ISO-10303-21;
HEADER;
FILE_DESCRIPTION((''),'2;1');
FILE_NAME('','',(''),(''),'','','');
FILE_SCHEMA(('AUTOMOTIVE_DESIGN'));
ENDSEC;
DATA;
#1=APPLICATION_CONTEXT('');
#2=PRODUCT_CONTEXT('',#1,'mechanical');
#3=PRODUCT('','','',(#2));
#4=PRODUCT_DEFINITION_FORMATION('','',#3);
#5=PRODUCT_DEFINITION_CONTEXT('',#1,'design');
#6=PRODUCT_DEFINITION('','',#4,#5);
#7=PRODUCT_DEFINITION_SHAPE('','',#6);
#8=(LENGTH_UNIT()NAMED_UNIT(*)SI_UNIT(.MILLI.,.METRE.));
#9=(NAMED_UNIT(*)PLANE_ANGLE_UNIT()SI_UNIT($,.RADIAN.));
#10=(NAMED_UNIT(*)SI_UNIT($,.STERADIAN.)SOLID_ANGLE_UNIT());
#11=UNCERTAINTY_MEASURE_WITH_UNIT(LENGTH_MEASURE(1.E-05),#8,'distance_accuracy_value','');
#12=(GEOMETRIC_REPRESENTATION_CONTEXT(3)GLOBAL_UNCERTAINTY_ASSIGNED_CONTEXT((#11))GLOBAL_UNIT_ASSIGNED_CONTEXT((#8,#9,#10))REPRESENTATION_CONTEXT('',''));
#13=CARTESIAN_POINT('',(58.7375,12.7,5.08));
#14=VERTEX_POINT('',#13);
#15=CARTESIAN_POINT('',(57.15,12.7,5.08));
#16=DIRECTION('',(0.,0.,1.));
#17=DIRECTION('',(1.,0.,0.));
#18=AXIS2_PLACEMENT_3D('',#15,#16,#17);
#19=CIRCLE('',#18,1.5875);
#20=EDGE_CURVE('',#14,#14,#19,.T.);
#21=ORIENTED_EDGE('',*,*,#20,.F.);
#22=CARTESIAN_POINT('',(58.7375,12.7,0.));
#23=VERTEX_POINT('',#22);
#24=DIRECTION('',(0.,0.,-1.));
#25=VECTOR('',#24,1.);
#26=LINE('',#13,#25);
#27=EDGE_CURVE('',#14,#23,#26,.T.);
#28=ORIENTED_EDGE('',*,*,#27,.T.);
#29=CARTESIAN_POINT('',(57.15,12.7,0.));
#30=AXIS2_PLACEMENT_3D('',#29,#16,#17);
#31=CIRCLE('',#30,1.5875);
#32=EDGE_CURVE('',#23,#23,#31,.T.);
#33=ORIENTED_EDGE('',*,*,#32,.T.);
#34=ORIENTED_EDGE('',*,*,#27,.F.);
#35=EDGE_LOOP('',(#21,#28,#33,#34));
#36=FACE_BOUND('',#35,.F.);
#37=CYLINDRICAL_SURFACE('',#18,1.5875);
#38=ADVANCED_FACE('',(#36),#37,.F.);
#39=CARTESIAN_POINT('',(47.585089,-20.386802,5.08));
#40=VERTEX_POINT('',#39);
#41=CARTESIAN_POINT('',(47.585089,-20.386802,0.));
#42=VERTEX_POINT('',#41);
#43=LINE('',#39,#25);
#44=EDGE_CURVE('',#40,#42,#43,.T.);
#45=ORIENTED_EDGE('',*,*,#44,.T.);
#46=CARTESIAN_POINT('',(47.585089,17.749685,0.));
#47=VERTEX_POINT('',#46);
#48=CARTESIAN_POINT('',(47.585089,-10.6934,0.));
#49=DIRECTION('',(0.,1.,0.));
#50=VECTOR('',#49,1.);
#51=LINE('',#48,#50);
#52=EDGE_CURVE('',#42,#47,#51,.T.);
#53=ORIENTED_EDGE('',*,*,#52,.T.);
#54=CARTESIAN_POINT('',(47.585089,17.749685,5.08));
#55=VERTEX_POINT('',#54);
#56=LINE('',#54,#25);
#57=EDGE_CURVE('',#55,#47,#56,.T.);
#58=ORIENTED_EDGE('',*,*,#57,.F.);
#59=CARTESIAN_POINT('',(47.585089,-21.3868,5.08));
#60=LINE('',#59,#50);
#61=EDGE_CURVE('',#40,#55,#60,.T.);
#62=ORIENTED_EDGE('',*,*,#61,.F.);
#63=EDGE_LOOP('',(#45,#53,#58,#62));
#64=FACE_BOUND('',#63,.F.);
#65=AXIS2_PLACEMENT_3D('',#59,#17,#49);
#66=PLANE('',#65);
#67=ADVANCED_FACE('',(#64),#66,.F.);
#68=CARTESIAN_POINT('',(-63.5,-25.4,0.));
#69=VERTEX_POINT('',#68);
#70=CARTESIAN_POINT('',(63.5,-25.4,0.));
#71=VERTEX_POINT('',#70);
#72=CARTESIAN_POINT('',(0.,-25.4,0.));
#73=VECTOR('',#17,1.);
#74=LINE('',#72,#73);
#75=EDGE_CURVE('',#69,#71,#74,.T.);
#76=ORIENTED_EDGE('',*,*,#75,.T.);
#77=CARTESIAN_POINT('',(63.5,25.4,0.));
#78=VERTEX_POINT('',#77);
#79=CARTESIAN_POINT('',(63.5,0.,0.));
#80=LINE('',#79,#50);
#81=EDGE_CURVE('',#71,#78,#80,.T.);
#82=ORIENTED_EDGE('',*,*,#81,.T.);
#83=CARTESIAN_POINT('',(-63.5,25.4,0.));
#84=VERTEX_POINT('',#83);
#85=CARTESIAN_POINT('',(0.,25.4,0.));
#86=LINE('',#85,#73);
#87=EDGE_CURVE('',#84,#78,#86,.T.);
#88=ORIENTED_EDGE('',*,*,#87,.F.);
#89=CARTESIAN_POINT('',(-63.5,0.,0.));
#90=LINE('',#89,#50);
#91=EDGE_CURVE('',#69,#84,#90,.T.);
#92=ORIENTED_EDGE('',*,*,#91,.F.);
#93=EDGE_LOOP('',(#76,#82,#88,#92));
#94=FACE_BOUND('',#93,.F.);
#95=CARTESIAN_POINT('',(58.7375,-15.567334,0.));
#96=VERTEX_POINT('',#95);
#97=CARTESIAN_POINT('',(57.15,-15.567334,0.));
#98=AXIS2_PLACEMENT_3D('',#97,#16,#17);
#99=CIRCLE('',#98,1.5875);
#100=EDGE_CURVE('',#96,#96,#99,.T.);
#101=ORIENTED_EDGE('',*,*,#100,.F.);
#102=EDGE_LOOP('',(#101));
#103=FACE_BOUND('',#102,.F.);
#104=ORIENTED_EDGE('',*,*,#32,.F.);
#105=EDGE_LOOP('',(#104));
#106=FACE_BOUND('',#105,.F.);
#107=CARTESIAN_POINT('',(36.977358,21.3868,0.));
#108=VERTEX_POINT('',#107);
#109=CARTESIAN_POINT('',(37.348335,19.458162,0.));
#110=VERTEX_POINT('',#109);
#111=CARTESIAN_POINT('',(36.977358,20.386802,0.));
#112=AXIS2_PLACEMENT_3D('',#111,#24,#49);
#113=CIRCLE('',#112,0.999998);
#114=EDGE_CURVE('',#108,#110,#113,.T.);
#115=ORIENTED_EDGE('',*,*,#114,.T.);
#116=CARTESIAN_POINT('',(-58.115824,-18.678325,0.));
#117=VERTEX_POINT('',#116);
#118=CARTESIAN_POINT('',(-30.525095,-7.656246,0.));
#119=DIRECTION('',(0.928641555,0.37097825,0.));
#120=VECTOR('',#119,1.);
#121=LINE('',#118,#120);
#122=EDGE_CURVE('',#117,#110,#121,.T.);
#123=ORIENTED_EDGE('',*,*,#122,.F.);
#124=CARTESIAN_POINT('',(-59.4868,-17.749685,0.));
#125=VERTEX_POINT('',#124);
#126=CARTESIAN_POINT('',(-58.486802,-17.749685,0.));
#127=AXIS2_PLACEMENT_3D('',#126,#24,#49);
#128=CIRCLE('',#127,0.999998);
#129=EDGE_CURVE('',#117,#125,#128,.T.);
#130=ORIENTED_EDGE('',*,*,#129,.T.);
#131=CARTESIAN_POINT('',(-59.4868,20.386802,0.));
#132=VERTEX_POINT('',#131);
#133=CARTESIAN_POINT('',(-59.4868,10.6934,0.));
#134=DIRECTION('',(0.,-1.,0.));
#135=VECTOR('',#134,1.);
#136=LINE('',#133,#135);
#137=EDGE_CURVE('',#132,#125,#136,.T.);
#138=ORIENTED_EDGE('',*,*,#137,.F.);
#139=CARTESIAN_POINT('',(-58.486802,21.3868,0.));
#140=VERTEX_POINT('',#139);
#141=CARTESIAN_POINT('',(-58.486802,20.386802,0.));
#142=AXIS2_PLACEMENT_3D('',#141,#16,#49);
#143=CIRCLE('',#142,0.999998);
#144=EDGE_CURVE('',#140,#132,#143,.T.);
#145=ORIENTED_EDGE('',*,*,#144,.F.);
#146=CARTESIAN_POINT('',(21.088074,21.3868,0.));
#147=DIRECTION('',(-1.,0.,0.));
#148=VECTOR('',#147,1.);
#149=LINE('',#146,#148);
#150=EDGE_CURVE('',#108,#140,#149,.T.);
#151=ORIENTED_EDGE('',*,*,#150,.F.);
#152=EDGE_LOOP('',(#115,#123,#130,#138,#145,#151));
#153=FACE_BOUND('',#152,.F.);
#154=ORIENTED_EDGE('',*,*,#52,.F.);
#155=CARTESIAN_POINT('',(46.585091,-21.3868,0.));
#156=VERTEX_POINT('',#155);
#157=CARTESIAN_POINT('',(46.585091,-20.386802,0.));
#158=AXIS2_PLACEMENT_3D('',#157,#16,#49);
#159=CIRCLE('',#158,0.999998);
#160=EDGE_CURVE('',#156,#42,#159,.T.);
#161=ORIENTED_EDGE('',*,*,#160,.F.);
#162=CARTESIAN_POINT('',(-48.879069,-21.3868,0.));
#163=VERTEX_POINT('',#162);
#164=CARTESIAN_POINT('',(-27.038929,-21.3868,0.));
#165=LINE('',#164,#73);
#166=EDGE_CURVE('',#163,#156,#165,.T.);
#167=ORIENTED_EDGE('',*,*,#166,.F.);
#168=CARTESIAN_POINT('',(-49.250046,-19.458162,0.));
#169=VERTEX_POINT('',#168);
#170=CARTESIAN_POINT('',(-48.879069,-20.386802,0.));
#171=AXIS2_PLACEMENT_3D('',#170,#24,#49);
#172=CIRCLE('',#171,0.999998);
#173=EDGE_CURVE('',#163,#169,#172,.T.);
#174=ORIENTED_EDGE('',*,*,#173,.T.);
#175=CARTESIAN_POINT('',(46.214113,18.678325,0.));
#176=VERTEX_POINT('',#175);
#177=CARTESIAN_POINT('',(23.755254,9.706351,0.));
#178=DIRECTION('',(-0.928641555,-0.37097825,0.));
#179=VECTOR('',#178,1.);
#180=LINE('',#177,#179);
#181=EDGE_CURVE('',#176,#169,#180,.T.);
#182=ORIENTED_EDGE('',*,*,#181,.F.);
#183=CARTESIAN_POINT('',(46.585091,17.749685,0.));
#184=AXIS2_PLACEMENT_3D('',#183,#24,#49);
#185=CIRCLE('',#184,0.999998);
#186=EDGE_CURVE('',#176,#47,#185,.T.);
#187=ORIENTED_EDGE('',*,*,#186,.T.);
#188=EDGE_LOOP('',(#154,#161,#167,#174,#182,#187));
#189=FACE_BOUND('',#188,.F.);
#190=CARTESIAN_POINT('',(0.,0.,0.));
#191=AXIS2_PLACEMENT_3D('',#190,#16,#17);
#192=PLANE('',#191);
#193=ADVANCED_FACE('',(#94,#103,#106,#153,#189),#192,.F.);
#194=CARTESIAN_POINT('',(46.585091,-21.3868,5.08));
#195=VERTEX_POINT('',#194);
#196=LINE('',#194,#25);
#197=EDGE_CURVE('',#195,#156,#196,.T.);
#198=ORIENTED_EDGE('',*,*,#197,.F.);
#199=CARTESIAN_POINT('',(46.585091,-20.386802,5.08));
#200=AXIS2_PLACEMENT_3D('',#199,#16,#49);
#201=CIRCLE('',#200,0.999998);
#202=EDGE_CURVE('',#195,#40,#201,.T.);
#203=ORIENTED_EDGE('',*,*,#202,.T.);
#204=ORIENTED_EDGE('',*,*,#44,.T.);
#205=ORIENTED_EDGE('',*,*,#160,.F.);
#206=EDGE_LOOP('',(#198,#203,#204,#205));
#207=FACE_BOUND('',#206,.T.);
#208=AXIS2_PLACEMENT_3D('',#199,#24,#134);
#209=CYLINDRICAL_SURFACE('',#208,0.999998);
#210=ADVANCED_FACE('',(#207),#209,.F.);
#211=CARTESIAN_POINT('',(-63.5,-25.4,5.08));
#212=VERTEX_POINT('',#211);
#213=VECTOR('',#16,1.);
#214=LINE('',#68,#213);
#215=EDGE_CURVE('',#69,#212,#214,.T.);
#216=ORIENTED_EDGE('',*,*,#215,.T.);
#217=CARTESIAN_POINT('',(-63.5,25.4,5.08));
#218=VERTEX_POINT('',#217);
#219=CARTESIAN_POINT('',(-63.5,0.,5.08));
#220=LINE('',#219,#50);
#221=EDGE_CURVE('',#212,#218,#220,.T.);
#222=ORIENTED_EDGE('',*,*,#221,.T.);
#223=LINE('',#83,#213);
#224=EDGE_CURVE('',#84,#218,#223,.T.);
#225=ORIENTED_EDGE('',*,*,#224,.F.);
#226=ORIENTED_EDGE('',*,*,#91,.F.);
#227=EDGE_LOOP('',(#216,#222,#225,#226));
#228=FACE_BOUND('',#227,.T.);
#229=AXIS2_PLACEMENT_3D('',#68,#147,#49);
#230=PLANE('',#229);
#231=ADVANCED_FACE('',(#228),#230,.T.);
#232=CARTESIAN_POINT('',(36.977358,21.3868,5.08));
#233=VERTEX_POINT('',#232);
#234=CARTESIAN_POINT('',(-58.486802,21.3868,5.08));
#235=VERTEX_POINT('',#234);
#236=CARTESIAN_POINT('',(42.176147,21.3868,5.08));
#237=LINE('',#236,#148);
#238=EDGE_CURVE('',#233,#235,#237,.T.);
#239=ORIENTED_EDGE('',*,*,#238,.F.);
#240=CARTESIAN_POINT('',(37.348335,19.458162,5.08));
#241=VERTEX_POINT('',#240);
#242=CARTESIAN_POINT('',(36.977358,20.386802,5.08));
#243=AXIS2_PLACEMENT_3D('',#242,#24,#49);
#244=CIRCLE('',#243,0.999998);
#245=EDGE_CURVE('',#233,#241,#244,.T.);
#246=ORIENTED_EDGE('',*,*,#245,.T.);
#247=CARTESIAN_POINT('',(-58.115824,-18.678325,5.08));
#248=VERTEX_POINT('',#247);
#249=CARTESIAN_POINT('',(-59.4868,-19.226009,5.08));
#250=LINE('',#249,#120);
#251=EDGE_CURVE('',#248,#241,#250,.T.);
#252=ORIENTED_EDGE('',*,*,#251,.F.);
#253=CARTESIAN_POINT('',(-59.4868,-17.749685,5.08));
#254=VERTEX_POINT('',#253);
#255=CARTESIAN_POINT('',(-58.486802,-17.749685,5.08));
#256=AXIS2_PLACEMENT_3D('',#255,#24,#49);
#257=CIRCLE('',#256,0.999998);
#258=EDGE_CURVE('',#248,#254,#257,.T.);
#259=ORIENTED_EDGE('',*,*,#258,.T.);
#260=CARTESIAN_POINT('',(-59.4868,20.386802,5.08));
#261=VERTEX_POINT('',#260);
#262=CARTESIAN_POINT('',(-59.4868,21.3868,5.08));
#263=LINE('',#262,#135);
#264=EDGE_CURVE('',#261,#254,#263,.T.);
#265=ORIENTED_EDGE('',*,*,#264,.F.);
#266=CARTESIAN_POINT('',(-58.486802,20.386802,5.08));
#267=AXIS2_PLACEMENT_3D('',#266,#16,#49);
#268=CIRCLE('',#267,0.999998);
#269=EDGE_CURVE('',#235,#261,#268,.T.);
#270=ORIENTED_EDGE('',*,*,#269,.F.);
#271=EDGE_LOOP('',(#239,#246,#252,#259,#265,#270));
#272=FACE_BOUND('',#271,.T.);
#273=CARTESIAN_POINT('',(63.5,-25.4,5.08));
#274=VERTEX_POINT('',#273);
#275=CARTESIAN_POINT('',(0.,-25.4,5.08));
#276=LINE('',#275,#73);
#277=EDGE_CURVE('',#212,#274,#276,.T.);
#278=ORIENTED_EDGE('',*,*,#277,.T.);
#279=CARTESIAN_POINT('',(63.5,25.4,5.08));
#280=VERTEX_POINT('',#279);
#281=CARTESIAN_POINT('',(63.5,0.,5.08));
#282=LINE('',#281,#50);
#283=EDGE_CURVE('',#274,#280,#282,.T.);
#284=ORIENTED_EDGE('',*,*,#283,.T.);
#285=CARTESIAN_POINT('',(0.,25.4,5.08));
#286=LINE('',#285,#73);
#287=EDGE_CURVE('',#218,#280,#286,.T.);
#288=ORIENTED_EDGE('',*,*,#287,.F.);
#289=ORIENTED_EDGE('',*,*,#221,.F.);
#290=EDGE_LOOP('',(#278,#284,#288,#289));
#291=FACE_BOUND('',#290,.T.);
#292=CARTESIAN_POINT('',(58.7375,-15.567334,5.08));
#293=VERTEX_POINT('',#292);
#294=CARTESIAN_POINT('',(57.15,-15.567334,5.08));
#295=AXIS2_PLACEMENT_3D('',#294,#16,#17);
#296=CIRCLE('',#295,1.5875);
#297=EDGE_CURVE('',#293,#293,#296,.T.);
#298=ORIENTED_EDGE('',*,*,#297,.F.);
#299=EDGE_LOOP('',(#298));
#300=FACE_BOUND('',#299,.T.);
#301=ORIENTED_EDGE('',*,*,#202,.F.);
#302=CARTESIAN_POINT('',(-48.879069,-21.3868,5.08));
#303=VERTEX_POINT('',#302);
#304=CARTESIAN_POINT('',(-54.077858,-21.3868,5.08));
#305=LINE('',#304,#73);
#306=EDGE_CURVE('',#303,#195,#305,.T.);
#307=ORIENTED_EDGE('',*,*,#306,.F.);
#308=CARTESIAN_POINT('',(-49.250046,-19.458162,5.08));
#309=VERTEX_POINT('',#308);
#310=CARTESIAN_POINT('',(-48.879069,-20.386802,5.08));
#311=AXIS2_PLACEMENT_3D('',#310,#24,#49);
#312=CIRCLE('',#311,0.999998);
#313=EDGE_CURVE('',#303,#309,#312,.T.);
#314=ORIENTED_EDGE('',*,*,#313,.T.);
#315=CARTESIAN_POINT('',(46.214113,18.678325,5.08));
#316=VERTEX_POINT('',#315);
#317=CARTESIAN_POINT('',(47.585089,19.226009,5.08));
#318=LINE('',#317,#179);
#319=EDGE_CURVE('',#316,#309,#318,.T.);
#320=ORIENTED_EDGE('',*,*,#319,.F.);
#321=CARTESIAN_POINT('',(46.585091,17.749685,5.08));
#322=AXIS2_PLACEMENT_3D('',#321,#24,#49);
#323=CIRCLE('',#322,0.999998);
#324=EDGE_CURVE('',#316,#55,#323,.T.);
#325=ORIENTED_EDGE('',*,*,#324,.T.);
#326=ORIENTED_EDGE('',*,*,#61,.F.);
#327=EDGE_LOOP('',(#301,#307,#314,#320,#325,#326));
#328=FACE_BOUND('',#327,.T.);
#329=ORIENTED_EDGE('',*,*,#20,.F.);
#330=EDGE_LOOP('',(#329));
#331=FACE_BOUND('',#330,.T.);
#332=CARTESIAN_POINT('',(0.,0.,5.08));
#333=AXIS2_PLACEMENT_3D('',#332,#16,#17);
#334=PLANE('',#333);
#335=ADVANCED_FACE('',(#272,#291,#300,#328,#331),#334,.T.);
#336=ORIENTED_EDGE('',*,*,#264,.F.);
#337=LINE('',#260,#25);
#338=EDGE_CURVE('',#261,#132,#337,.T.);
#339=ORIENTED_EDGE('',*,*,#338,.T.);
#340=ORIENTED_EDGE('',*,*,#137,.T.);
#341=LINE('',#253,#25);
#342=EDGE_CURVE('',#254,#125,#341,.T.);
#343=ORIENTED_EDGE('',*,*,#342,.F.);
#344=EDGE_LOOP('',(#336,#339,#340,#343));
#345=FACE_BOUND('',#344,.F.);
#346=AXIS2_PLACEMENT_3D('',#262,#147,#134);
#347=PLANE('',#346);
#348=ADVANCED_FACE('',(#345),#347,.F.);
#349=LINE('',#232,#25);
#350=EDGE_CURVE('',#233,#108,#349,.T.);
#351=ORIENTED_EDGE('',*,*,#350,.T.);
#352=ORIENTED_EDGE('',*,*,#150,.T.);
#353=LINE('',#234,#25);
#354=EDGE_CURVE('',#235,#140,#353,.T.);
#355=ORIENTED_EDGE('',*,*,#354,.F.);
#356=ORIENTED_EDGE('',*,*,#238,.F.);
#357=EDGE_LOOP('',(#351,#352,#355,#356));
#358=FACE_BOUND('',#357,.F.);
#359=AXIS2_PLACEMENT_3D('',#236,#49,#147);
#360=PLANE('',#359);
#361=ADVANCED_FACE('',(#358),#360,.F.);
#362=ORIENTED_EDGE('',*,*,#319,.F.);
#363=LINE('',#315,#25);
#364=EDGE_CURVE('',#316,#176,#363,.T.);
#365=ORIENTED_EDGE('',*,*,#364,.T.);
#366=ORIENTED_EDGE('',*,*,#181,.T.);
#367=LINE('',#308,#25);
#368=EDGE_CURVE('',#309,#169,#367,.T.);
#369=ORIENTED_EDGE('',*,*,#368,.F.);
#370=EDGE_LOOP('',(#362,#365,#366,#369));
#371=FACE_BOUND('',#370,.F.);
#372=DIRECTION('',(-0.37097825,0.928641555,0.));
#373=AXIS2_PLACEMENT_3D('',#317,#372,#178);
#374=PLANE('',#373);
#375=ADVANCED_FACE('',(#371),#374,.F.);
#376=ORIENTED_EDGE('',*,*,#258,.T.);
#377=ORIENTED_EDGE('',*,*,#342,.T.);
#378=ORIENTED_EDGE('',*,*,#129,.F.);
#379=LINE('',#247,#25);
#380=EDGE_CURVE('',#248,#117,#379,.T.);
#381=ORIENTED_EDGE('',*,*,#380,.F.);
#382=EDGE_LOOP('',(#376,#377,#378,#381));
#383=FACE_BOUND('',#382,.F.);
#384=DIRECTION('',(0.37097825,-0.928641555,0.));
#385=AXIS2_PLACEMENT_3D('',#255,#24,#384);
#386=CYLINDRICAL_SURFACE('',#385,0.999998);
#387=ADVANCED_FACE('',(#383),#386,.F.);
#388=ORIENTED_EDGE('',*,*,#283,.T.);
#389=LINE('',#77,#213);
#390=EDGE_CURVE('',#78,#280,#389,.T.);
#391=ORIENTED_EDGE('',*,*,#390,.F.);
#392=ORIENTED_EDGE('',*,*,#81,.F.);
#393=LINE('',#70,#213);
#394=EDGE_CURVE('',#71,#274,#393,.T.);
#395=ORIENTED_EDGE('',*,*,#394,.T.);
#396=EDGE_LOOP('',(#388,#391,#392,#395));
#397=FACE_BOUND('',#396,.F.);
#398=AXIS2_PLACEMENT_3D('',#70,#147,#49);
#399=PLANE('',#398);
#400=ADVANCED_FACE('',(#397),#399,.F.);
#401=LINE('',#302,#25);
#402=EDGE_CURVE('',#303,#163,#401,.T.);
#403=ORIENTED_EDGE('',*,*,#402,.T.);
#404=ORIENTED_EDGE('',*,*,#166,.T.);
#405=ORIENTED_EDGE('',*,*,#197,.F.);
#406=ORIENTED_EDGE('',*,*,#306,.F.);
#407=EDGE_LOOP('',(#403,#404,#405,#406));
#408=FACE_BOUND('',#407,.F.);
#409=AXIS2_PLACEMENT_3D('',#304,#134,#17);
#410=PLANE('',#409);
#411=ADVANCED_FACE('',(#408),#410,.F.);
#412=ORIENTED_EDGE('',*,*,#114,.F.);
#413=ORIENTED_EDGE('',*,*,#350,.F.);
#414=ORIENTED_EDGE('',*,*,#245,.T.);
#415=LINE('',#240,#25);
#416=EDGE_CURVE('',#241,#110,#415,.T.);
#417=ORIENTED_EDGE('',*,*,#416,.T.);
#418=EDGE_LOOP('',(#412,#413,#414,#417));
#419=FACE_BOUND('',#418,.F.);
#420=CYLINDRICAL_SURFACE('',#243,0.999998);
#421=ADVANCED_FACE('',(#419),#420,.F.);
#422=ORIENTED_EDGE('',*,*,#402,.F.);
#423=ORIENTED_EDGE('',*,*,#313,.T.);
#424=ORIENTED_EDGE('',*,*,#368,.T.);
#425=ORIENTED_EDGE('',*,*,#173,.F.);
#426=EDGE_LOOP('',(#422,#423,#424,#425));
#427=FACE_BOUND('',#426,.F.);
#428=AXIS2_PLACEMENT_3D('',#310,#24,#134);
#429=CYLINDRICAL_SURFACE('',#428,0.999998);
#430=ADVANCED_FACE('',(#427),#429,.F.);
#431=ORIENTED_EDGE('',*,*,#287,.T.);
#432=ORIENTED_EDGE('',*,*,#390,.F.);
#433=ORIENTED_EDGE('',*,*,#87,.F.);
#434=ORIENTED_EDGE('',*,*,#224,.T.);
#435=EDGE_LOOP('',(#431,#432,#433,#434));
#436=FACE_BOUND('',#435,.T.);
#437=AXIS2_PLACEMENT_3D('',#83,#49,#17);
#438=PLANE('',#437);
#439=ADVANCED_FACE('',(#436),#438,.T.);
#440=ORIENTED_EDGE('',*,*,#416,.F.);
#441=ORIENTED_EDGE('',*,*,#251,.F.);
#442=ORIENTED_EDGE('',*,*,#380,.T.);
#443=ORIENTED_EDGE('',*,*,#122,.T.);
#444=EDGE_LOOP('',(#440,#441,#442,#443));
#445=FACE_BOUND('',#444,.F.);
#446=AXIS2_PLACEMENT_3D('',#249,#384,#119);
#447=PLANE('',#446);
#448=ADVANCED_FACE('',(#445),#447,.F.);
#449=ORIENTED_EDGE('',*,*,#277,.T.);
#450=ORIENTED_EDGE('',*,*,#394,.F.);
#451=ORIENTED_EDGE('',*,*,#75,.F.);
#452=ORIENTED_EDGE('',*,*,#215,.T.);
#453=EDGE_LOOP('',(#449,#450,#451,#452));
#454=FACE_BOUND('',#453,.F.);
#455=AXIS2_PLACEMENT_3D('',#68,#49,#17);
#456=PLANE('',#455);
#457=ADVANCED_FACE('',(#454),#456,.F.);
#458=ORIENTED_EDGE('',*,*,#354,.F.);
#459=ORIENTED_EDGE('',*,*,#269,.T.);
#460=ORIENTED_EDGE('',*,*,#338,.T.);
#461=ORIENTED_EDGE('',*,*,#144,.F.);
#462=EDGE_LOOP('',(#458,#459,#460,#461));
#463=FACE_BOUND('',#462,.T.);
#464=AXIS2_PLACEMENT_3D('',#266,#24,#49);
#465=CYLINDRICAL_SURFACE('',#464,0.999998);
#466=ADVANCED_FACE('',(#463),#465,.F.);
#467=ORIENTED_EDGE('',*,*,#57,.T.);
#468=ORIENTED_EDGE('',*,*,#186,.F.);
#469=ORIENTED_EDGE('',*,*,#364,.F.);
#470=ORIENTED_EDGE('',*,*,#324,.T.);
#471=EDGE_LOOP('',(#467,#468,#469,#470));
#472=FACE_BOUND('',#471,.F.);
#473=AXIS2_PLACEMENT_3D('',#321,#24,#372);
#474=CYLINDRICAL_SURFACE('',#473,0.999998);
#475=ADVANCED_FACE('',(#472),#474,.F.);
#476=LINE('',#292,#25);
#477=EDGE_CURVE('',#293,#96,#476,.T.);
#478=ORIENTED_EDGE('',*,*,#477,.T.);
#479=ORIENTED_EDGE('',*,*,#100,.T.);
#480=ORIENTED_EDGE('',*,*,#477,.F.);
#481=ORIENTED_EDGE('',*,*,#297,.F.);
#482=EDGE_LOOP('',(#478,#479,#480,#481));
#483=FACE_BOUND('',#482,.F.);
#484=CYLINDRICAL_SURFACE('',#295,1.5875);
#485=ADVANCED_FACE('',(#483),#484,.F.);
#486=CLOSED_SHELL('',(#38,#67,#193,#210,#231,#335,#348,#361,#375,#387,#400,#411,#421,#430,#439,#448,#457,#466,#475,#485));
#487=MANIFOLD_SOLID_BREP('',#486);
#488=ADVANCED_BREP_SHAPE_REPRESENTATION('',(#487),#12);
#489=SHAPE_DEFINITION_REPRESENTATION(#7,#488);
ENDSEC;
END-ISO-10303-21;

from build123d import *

# Parameters (mm, degrees)
SKETCH_W     = 127
SKETCH_H     = 50.8
PAD_DEPTH    = 5.08
SKETCH001_R  = 1.5875
POCKET_DEPTH = 5.081
FILLET_R     = 0.999998
FILLET001_R  = 0.999998
FILLET002_R  = 0.999998


with BuildPart() as part:
    # Sketch → Pad (new body)
    with BuildSketch(Plane.XY):
        Rectangle(SKETCH_W, SKETCH_H)
    extrude(amount=PAD_DEPTH)

    # Sketch001 (on Face6 of Pad) → Pocket (cut, through all)
    with BuildSketch(Plane.XY.offset(5.08)):
        with Locations((57.15, 12.7)):
            Circle(SKETCH001_R)
        with Locations((57.15, -15.567334)):
            Circle(SKETCH001_R)
        Polygon((-54.077858, -21.3868), (47.585089, -21.3868), (47.585089, 19.226009), align=None)
        Polygon((42.176147, 21.3868), (-59.4868, 21.3868), (-59.4868, -19.226009), align=None)
    extrude(amount=-POCKET_DEPTH, mode=Mode.SUBTRACT)

    # Fillet
    fillet_edges = [part.edges().sort_by_distance(p)[0] for p in [
        (-59.4868, 21.3868, 2.54),
        (47.585089, -21.3868, 2.54),
    ]]
    fillet(fillet_edges, radius=FILLET_R)

    # Fillet001
    fillet001_edges = [part.edges().sort_by_distance(p)[0] for p in [
        (-54.077858, -21.3868, 2.54),
        (42.176147, 21.3868, 2.54),
    ]]
    fillet(fillet001_edges, radius=FILLET001_R)

    # Fillet002
    fillet002_edges = [part.edges().sort_by_distance(p)[0] for p in [
        (47.585089, 19.226009, 2.54),
        (-59.4868, -19.226009, 2.54),
    ]]
    fillet(fillet002_edges, radius=FILLET002_R)


solid = part.part
